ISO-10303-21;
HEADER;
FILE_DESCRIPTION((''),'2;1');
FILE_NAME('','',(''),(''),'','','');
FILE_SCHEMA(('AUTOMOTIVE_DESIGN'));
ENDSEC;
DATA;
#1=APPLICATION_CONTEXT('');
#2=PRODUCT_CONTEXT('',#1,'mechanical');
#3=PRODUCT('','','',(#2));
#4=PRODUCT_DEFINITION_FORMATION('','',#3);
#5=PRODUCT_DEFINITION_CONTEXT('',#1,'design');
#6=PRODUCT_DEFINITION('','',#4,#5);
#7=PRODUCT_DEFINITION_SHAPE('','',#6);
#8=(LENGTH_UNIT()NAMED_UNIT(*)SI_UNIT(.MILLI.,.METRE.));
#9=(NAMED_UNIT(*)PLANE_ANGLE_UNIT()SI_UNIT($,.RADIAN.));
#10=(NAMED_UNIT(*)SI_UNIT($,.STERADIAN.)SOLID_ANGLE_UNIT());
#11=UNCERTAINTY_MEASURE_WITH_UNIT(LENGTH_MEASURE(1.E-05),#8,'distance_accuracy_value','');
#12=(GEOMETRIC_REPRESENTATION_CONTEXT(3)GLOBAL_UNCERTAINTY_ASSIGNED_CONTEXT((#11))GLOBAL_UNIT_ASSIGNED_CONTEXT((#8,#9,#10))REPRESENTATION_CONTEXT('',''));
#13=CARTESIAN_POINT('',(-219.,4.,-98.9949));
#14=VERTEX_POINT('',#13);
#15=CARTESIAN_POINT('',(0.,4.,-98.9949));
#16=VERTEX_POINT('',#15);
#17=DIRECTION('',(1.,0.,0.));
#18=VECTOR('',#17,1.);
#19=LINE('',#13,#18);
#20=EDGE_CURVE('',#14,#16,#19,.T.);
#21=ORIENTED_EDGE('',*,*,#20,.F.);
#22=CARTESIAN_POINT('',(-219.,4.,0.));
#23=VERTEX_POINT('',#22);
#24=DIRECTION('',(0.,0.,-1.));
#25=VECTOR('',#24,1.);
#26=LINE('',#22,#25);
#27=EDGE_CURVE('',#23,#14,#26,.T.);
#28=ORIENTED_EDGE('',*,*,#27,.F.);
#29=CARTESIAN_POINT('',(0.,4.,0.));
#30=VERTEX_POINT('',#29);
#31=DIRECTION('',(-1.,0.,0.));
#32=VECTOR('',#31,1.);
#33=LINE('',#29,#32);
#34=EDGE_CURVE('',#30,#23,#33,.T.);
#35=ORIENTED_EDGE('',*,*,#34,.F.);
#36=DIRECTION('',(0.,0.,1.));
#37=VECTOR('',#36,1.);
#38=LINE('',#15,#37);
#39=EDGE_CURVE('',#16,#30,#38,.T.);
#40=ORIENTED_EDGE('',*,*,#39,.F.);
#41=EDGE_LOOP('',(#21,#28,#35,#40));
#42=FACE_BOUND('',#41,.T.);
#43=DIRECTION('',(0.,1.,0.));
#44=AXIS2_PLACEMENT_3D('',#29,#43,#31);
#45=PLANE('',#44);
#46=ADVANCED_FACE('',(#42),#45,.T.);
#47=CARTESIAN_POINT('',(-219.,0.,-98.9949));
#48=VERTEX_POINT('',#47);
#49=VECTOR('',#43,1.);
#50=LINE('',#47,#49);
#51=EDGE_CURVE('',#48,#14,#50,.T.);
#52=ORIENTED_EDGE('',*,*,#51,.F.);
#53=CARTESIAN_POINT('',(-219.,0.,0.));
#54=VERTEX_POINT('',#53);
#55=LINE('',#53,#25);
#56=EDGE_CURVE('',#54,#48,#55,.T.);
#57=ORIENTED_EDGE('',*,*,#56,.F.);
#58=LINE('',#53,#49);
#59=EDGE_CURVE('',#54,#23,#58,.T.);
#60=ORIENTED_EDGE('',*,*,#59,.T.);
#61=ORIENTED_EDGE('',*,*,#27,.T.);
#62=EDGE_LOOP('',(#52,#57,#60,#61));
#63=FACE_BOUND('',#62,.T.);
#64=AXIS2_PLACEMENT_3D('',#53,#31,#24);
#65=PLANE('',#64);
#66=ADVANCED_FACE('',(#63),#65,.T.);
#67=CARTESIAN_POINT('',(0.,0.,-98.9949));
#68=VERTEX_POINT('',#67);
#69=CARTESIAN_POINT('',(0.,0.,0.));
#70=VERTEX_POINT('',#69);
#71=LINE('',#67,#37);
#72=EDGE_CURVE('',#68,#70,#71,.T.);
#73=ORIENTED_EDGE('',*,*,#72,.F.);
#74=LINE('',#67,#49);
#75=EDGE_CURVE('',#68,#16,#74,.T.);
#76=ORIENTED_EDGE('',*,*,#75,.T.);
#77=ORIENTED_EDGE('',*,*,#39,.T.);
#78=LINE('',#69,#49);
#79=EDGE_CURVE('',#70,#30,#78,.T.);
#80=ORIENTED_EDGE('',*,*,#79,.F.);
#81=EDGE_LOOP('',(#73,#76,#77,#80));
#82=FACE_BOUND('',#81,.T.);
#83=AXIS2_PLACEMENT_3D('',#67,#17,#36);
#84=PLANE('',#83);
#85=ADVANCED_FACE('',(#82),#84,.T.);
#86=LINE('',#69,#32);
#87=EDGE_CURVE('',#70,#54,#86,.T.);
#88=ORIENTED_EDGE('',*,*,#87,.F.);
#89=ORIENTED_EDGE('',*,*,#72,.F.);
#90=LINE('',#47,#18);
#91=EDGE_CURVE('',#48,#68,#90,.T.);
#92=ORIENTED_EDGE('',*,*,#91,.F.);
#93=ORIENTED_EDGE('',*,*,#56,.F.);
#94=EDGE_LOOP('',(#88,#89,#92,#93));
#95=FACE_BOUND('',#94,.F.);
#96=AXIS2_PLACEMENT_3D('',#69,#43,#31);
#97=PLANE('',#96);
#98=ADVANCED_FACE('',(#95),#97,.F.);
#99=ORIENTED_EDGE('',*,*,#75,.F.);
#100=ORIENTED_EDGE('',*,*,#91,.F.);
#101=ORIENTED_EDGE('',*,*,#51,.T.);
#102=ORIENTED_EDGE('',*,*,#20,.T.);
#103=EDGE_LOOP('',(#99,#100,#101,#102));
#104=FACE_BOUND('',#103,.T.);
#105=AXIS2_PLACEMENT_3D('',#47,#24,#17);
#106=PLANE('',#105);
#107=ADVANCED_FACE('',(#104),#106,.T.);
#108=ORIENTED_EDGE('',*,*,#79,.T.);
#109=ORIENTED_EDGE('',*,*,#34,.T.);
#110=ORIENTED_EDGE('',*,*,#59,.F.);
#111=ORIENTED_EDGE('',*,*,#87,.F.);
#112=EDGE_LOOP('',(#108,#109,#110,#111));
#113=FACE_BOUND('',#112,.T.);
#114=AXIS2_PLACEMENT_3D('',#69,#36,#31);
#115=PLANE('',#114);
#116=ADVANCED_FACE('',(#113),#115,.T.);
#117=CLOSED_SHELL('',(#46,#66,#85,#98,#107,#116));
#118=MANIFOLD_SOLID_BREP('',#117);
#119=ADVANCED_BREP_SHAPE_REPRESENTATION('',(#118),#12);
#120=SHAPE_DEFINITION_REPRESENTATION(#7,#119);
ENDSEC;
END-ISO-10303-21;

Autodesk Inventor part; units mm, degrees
ref_plane "YZ Plane" through (0, 0, 0) normal (1, 0, 0) x (0, 1, 0)
ref_plane "XZ Plane" through (0, 0, 0) normal (0, 1, 0) x (-1, 0, 0)
ref_plane "XY Plane" through (0, 0, 0) normal (0, 0, 1) x (1, 0, 0)
sketch "スケッチ1" plane through (0, 0, 0) normal (0, 1, 0) x (-1, 0, 0)
  line L0 (0, 0) -> (219, 0)
  line L1 (219, 0) -> (219, -98.9949)
  line L2 (219, -98.9949) -> (0, -98.9949)
  line L3 (0, -98.9949) -> (0, 0)
  dimension "d0" = 219
  dimension "d1" = 98.995
extrude "押し出し1" add sketch "スケッチ1" along normal blind 4
properties part number "泥除け3"
